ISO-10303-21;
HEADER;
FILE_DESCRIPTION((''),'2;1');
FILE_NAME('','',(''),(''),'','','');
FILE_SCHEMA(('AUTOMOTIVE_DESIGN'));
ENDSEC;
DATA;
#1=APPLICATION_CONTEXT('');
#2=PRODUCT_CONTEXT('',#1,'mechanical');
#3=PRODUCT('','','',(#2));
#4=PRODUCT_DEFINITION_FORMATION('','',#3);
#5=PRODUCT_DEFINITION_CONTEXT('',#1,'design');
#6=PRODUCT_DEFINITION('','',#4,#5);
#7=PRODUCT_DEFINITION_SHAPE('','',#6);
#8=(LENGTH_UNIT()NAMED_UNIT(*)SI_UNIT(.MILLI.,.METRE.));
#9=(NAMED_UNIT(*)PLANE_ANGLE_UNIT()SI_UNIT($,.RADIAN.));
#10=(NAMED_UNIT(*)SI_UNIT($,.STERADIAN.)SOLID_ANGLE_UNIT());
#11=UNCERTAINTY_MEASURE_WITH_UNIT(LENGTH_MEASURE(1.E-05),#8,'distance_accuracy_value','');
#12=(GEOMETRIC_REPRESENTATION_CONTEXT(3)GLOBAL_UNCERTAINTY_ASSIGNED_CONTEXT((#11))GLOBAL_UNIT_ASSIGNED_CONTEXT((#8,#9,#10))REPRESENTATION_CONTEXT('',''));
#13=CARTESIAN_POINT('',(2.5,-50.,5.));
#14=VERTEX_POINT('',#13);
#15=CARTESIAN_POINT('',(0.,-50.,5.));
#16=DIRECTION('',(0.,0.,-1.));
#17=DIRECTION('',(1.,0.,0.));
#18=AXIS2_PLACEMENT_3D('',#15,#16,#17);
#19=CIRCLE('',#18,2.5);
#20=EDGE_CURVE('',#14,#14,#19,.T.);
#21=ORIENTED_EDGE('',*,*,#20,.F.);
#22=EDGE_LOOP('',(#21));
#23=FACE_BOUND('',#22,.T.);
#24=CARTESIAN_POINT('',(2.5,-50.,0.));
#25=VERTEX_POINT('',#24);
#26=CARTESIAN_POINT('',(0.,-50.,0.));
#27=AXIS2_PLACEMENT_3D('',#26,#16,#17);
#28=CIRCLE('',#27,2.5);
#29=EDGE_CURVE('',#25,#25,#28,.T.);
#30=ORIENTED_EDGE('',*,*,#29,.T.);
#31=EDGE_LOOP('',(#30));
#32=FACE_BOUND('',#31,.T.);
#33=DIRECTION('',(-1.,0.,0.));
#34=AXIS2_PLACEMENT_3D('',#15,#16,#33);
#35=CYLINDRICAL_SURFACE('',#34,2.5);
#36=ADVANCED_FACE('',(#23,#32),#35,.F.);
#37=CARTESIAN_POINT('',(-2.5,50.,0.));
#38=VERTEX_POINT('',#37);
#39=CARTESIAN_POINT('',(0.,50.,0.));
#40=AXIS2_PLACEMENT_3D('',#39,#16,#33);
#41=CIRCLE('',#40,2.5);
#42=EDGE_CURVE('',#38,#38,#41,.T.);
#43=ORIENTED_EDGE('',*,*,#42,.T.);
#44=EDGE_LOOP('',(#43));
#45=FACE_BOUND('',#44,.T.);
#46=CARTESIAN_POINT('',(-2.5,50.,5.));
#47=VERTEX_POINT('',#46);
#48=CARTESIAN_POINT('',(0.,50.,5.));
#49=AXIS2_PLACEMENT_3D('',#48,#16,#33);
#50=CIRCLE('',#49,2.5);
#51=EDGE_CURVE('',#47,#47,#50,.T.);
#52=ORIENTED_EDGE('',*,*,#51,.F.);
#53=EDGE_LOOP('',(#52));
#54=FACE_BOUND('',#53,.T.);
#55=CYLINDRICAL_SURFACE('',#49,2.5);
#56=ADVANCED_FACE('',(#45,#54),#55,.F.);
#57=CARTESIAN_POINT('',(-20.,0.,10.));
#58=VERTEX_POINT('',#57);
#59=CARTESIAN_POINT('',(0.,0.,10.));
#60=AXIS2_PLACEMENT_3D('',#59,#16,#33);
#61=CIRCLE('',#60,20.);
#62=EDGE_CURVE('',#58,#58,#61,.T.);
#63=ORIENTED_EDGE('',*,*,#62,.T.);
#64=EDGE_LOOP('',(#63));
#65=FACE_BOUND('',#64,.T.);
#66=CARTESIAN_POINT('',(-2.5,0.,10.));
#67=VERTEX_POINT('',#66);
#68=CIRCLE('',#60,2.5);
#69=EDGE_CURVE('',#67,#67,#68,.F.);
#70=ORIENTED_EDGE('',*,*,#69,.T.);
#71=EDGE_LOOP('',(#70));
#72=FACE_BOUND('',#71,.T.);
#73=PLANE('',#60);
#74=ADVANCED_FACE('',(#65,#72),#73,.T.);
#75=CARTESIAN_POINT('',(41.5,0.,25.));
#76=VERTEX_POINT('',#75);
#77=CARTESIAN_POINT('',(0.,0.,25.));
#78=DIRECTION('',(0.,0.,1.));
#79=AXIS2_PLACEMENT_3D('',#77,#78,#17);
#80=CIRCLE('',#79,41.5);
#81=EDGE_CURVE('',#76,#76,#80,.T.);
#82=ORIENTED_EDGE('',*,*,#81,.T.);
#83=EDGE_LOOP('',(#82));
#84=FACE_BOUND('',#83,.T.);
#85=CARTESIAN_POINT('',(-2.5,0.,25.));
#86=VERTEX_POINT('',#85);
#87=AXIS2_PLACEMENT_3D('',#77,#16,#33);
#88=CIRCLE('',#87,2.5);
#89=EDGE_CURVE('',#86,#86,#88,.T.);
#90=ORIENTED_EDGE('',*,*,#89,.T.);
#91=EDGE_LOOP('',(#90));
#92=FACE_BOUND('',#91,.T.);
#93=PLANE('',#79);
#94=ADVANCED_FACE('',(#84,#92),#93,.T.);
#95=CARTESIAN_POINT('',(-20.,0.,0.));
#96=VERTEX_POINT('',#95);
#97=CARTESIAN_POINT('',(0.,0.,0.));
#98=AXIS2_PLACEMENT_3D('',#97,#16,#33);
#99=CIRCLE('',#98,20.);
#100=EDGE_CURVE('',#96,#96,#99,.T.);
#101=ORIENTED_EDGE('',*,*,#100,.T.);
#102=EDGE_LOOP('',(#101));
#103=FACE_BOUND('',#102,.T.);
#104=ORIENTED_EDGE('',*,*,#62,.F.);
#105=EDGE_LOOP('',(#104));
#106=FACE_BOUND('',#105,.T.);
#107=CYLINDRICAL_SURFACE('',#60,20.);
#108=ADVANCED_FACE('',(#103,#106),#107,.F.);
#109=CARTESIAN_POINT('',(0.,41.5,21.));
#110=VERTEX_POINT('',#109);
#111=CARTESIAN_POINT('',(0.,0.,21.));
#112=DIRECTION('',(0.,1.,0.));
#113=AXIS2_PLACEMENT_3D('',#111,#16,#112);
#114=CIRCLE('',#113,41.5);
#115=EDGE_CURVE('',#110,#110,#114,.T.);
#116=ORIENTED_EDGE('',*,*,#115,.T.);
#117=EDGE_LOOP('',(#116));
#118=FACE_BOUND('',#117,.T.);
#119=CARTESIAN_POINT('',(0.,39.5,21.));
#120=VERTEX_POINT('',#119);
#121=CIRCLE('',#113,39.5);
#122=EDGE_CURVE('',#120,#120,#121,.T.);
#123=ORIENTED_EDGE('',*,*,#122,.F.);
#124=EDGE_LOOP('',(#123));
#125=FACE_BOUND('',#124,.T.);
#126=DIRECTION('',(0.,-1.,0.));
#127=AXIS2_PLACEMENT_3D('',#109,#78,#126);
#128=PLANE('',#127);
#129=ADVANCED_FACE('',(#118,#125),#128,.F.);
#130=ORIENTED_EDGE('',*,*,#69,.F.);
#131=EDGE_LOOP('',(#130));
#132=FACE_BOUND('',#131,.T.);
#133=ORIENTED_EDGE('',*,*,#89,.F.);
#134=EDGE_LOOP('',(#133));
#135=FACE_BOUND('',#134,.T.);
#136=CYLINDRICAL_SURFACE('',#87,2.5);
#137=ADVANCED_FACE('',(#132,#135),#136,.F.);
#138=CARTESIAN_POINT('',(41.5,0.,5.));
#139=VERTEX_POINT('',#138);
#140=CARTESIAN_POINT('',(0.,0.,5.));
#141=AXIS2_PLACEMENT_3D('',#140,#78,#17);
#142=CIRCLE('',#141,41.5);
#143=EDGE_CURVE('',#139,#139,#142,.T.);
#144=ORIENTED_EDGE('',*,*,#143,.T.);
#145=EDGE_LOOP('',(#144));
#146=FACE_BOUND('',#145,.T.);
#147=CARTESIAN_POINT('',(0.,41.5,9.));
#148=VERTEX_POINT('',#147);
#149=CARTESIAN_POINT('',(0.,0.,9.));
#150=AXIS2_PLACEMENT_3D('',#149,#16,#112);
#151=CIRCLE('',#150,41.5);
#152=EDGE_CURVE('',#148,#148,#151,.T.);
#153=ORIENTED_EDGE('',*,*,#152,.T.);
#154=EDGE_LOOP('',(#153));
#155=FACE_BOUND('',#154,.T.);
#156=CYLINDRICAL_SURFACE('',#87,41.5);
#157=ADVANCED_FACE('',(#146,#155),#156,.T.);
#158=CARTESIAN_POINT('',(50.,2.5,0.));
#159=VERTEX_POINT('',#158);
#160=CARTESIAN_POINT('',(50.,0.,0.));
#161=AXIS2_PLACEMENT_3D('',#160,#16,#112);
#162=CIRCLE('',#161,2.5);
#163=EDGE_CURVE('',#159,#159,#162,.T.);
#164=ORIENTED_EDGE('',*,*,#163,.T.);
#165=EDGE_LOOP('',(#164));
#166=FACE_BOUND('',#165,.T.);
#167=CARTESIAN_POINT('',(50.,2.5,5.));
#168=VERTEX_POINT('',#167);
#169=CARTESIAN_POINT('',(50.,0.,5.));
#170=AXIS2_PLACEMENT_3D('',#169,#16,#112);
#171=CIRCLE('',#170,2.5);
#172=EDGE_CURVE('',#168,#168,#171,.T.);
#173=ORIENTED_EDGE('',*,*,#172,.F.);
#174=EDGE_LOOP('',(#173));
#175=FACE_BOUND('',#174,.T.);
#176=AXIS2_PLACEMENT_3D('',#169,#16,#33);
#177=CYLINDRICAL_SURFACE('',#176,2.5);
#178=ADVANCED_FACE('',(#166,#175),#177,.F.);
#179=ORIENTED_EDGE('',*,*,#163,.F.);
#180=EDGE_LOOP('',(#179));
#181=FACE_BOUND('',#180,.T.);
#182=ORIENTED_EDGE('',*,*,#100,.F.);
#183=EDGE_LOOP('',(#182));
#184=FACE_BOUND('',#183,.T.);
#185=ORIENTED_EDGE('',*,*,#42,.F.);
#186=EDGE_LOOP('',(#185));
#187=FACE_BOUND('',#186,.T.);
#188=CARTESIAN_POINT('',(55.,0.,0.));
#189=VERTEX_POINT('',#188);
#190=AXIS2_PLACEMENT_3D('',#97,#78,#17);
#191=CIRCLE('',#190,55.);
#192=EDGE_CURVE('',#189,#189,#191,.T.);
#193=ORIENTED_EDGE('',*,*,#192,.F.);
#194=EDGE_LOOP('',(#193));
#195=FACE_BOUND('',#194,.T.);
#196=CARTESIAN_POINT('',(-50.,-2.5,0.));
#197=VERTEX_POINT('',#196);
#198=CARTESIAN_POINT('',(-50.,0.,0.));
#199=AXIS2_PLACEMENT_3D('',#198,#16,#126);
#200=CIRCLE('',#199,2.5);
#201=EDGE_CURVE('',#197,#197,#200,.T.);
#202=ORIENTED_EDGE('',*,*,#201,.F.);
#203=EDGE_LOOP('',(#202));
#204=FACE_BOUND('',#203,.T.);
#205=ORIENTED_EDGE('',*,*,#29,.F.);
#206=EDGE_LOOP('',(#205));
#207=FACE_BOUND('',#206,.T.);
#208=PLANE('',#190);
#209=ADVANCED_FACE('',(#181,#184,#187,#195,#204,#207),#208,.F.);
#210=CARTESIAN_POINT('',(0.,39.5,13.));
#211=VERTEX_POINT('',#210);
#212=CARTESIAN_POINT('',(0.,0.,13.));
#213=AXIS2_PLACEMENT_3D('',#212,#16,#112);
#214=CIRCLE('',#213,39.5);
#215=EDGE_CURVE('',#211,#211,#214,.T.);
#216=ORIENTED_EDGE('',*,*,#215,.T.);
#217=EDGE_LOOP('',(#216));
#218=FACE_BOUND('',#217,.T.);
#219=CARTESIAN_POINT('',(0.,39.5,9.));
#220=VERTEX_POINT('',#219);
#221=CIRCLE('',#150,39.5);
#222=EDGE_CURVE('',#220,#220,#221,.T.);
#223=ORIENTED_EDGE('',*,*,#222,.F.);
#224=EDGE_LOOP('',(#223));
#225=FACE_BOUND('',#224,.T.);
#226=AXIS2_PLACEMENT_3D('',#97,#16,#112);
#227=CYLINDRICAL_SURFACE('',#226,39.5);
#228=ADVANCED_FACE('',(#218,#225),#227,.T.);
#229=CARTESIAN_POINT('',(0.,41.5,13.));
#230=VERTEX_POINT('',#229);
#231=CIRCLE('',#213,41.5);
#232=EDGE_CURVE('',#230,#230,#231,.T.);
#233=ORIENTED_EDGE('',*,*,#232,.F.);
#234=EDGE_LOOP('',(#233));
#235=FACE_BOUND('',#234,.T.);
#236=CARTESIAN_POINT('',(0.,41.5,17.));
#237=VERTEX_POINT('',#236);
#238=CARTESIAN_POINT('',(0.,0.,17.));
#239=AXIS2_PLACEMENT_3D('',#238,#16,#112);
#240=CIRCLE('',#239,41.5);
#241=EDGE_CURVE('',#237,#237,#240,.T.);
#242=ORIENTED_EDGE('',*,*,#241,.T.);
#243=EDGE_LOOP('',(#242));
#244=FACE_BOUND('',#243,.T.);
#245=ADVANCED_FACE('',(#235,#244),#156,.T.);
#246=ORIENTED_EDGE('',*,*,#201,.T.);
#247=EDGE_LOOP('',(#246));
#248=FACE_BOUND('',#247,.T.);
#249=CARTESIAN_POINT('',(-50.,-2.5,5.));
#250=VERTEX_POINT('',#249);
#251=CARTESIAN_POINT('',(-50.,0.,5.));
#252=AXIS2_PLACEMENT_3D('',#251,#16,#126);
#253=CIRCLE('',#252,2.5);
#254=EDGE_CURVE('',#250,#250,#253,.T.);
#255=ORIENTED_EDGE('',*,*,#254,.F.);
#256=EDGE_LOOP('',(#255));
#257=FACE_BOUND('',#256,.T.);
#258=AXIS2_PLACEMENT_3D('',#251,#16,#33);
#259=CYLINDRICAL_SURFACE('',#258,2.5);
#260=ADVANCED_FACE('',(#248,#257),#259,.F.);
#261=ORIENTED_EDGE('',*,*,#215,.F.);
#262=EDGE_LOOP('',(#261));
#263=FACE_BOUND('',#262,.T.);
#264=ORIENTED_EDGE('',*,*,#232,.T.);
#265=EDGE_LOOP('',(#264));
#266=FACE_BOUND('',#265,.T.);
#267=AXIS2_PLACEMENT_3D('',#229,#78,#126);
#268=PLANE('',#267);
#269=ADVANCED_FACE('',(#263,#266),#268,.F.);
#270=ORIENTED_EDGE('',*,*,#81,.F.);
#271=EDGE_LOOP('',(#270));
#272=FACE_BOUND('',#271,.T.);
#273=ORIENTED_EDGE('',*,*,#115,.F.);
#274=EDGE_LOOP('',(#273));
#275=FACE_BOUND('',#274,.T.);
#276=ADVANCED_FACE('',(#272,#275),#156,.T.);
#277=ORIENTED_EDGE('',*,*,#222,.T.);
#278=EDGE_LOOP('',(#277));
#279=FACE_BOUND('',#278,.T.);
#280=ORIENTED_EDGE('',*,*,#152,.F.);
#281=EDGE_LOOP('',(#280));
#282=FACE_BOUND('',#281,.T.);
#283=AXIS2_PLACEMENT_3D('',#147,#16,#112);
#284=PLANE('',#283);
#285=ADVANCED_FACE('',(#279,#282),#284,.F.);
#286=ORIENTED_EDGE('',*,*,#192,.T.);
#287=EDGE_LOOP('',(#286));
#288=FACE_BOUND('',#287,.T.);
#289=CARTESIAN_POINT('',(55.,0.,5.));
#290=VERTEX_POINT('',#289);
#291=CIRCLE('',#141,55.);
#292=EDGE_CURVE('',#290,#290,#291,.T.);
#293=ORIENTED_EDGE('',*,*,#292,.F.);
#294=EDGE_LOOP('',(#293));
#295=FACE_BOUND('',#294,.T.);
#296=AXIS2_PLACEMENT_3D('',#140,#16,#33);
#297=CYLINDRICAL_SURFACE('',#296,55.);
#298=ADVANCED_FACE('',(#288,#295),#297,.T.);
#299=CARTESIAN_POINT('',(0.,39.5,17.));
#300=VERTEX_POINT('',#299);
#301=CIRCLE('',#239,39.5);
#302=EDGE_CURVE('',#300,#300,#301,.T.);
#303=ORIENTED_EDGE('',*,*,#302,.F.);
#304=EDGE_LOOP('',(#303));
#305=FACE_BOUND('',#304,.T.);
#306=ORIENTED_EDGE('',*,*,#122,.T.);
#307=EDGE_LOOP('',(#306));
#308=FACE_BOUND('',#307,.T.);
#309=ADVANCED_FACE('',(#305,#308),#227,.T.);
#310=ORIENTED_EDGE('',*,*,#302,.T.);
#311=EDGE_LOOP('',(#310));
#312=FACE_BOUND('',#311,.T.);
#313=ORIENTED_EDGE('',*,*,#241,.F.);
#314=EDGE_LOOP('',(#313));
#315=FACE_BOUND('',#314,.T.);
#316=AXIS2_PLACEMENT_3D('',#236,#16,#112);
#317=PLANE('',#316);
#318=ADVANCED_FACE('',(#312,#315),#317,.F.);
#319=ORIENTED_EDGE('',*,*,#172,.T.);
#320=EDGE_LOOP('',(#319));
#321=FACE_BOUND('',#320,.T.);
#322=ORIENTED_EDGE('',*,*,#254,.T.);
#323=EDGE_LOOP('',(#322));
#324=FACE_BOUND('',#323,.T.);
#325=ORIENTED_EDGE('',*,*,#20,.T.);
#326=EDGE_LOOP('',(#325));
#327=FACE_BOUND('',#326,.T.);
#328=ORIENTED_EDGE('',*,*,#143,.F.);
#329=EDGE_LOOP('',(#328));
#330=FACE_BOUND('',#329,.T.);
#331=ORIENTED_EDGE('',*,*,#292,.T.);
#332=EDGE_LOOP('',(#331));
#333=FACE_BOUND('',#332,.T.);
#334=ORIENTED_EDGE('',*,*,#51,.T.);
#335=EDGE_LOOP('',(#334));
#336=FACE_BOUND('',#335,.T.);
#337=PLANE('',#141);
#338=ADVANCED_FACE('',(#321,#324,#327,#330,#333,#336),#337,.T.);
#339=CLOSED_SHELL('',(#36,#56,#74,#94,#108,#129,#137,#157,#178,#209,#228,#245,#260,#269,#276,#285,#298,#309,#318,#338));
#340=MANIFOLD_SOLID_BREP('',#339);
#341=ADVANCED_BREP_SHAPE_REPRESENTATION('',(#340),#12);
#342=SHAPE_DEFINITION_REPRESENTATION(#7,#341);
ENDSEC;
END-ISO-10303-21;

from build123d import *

# Parameters (mm, degrees)
SKETCH1_R           = 55
BOSS_EXTRUDE1_DEPTH = 5
SKETCH3_R           = 2.5
CUT_EXTRUDE1_DEPTH  = 78.942286341
CIRPATTERN1_COUNT   = 4
SKETCH2_R           = 41.5
BOSS_EXTRUDE2_DEPTH = 20
SKETCH4_W           = 4
SKETCH4_H           = 2
SKETCH5_R           = 2.5
CUT_EXTRUDE2_DEPTH  = 82.700673192
SKETCH6_R           = 20
CUT_EXTRUDE3_DEPTH  = 10


with BuildPart() as part:
    # Sketch1 → Boss-Extrude1 (new body)
    with BuildSketch(Plane.XY):
        Circle(SKETCH1_R)
    extrude(amount=BOSS_EXTRUDE1_DEPTH)

    # Sketch3 → Cut-Extrude1 (cut, through all)
    with BuildSketch(Plane(origin=(0, 0, 0), x_dir=(-1, 0, 0), z_dir=(0, 0, -1))):
        with Locations((0, 50)):
            Circle(SKETCH3_R)
    cut_extrude1 = extrude(amount=-CUT_EXTRUDE1_DEPTH, mode=Mode.SUBTRACT)

    # CirPattern1: Cut-Extrude1 ×4 about axis
    cirpattern1_axis = Axis((0, 0, 0), (0, 0, 1))
    for i in range(1, CIRPATTERN1_COUNT):
        add(cut_extrude1.rotate(cirpattern1_axis, i * 360 / CIRPATTERN1_COUNT), mode=Mode.SUBTRACT)

    # Sketch2 → Boss-Extrude2 (add)
    with BuildSketch(Plane.XY.offset(5)):
        Circle(SKETCH2_R)
    extrude(amount=BOSS_EXTRUDE2_DEPTH)

    # Sketch4 → Cut-Revolve1 (revolve, cut)
    with BuildSketch(Plane(origin=(0, 0, 0), x_dir=(0, 0, -1), z_dir=(1, 0, 0))):
        with Locations((-11, 40.5)):
            Rectangle(SKETCH4_W, SKETCH4_H)
        with Locations((-19, 40.5)):
            Rectangle(SKETCH4_W, SKETCH4_H)
    revolve(axis=Axis((0, 0, 0), (0, 0, 1)), mode=Mode.SUBTRACT)

    # Sketch5 → Cut-Extrude2 (cut, through all)
    with BuildSketch(Plane(origin=(0, 0, 0), x_dir=(-1, 0, 0), z_dir=(0, 0, -1))):
        Circle(SKETCH5_R)
    extrude(amount=-CUT_EXTRUDE2_DEPTH, mode=Mode.SUBTRACT)

    # Sketch6 → Cut-Extrude3 (cut)
    with BuildSketch(Plane(origin=(0, 0, 0), x_dir=(-1, 0, 0), z_dir=(0, 0, -1))):
        Circle(SKETCH6_R)
    extrude(amount=-CUT_EXTRUDE3_DEPTH, mode=Mode.SUBTRACT)


solid = part.part
